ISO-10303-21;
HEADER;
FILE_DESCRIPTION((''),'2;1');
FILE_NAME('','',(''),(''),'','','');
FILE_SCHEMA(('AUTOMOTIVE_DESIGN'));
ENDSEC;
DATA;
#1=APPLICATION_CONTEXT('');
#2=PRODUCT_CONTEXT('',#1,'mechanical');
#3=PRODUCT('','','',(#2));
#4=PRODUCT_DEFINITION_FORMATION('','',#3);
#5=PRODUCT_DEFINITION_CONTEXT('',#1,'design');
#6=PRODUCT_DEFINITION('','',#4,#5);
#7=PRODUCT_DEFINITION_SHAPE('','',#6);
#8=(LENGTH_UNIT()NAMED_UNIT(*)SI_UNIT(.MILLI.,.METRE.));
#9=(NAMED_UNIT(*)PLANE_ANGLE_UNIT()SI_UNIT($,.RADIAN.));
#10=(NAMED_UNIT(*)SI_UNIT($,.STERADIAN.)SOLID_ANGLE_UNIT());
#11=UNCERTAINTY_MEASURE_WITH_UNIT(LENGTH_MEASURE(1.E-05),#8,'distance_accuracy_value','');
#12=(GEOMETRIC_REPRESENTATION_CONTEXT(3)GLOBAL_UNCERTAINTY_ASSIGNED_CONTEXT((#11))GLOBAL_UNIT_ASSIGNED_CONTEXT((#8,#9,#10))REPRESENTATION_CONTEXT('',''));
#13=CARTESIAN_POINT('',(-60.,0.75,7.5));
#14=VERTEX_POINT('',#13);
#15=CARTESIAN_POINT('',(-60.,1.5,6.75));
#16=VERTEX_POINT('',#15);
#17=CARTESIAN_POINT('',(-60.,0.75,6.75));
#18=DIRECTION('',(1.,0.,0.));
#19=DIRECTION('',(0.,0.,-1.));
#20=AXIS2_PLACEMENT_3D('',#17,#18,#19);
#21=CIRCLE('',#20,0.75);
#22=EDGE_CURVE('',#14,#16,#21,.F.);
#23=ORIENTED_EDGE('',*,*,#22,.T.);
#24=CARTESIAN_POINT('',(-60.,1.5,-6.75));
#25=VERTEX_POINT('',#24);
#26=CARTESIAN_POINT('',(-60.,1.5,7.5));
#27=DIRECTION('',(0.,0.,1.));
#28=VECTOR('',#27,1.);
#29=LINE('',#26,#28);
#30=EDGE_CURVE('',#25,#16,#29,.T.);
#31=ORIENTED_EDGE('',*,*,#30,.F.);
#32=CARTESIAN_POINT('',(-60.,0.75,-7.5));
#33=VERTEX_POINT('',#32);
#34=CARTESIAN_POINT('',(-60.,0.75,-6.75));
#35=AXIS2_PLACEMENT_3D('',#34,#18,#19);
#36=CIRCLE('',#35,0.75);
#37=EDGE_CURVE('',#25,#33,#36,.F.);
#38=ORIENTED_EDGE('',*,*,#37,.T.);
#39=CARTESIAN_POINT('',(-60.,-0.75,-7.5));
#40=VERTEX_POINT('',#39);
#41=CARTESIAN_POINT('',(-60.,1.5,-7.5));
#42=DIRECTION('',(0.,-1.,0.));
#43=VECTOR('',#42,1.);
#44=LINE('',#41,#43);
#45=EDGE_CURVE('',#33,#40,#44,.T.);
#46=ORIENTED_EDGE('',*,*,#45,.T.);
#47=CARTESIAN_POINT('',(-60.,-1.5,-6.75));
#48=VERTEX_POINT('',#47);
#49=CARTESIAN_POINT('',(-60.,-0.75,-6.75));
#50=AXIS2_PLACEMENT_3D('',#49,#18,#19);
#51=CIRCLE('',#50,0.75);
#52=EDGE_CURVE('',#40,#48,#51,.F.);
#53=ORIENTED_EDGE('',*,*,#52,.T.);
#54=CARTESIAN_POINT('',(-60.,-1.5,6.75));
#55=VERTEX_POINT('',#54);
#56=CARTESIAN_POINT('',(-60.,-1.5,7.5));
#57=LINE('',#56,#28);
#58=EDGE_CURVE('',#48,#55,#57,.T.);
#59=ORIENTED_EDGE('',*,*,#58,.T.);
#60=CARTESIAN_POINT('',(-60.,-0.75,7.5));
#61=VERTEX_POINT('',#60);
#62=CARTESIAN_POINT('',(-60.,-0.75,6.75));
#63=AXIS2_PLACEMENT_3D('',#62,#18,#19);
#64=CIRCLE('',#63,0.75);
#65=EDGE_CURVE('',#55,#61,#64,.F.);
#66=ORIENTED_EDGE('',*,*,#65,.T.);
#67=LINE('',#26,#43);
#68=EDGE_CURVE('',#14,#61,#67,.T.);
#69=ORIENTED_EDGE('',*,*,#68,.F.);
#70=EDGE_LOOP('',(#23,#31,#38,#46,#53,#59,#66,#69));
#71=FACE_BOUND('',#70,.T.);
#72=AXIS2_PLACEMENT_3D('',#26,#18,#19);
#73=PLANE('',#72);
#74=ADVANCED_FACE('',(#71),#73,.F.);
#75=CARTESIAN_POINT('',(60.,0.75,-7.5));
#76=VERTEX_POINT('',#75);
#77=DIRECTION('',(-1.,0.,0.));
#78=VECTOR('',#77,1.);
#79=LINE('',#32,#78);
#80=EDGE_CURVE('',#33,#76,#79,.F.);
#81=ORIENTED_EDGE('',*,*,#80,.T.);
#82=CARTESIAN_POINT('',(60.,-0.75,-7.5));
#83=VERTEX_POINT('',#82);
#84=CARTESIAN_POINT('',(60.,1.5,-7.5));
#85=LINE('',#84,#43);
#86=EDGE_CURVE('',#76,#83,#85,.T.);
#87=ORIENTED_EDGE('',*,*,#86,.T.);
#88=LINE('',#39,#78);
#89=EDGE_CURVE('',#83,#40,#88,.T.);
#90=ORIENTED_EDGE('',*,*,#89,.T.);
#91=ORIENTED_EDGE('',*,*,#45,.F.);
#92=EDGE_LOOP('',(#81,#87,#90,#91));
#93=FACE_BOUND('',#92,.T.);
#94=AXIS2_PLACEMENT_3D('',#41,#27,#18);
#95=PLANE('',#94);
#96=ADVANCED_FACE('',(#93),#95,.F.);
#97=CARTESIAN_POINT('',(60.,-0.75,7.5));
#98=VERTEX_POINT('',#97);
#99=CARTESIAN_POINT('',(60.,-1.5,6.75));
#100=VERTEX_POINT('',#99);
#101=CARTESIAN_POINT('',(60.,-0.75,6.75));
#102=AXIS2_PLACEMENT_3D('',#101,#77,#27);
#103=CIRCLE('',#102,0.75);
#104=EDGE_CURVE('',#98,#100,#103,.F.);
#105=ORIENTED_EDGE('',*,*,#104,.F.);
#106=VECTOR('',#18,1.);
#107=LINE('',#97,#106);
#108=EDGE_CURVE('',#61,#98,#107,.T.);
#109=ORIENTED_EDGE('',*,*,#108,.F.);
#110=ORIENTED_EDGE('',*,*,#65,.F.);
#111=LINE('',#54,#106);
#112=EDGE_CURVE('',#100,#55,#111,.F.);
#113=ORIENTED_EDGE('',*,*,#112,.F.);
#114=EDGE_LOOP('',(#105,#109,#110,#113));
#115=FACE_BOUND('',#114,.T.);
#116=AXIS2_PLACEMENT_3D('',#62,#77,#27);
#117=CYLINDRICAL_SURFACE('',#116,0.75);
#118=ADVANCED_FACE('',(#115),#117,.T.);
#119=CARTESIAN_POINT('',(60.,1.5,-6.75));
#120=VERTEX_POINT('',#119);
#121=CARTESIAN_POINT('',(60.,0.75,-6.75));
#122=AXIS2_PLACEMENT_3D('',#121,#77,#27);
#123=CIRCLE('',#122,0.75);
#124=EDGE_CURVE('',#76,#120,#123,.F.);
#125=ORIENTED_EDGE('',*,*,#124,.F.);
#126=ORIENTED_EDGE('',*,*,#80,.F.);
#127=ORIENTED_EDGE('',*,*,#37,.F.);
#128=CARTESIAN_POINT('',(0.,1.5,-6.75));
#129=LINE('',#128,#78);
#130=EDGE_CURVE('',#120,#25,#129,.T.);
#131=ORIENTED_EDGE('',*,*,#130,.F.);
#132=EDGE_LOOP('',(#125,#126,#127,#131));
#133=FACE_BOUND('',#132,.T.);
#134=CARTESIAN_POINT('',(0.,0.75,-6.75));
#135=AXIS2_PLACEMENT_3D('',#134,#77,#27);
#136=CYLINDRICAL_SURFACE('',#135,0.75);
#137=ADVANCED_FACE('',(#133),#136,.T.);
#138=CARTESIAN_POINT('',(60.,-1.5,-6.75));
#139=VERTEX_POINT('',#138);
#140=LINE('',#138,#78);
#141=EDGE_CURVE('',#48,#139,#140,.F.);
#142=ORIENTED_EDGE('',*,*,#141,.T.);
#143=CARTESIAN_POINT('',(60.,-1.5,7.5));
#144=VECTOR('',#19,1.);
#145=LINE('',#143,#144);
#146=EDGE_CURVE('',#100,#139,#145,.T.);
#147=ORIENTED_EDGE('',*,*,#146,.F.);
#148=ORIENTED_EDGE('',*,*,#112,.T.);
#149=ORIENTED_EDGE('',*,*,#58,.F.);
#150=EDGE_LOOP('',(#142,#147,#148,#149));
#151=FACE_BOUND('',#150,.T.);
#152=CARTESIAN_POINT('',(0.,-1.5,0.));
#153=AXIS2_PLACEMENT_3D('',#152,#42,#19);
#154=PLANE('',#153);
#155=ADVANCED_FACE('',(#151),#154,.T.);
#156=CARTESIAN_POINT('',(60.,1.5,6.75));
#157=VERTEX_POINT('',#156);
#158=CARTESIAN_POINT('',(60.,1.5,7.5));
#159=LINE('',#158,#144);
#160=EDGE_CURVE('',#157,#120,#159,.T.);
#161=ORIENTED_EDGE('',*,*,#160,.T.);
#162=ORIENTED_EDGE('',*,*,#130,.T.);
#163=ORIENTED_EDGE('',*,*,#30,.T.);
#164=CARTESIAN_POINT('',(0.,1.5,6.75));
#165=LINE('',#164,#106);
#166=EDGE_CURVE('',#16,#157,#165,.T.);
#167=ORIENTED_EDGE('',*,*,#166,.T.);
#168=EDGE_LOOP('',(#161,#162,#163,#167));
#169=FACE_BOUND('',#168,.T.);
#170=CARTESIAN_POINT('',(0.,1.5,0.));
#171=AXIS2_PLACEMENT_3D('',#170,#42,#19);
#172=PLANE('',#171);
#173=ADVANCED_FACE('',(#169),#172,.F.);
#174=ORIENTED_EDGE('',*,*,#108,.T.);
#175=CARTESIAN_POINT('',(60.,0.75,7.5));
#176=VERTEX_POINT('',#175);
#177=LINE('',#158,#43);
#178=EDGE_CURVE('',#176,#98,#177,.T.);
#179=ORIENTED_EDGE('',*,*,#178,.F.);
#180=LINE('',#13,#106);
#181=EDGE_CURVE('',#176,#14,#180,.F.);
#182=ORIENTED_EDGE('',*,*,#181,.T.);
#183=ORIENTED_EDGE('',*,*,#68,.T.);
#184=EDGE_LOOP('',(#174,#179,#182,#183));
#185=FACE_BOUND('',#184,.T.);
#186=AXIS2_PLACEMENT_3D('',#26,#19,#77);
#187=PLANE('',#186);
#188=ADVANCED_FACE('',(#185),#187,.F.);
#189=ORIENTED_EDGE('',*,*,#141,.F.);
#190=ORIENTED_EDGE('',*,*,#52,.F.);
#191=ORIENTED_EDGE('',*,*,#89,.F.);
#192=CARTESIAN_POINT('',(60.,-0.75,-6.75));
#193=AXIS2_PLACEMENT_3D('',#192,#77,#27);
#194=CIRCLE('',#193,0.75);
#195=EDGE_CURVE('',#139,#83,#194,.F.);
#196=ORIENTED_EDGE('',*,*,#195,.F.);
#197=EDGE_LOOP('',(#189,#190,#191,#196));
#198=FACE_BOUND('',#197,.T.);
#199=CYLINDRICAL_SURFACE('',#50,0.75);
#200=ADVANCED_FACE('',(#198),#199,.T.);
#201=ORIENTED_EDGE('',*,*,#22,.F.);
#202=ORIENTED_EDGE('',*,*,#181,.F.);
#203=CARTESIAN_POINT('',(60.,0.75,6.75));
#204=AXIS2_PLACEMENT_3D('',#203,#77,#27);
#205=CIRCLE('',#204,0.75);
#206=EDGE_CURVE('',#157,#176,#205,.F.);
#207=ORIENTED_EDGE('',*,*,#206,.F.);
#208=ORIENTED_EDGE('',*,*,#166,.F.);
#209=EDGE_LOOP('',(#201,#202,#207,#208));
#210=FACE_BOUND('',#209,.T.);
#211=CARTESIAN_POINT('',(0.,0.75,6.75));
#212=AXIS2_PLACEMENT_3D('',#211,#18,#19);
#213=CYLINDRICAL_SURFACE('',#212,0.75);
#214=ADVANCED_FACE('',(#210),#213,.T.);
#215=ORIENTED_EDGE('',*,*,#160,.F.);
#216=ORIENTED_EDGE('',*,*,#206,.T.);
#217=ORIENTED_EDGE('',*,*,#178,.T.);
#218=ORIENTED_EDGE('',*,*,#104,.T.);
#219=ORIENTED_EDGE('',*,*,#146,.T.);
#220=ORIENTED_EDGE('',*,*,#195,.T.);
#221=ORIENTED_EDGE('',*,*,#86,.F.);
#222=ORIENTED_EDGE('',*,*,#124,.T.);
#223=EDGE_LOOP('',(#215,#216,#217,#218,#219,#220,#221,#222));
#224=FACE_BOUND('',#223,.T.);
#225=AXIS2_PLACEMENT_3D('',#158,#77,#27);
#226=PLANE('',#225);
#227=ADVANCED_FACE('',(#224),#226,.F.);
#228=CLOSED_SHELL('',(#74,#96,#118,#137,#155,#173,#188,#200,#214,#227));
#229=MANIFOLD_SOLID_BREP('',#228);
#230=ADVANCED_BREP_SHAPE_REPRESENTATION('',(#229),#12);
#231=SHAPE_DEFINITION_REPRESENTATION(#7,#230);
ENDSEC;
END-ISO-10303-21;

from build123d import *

# Parameters (mm, degrees)
SKETCH_1_W      = 120
SKETCH_1_H      = 15
EXTRUDE_1_DEPTH = 1.5
FILLET_1_R      = 0.75


with BuildPart() as part:
    # ｽｹｯﾁ1 → ﾎﾞｽ - 押し出し1 (new, symmetric)
    with BuildSketch(Plane(origin=(0, 0, 0), x_dir=(1, 0, 0), z_dir=(0, 1, 0))):
        Rectangle(SKETCH_1_W, SKETCH_1_H)
    extrude(amount=EXTRUDE_1_DEPTH, both=True)

    # ﾌｨﾚｯﾄ1
    fillet_1_edges = [part.edges().sort_by_distance(p)[0] for p in [
        (0, 1.5, 7.5),
        (0, -1.5, 7.5),
        (0, -1.5, -7.5),
        (0, 1.5, -7.5),
    ]]
    fillet(fillet_1_edges, radius=FILLET_1_R)


solid = part.part
